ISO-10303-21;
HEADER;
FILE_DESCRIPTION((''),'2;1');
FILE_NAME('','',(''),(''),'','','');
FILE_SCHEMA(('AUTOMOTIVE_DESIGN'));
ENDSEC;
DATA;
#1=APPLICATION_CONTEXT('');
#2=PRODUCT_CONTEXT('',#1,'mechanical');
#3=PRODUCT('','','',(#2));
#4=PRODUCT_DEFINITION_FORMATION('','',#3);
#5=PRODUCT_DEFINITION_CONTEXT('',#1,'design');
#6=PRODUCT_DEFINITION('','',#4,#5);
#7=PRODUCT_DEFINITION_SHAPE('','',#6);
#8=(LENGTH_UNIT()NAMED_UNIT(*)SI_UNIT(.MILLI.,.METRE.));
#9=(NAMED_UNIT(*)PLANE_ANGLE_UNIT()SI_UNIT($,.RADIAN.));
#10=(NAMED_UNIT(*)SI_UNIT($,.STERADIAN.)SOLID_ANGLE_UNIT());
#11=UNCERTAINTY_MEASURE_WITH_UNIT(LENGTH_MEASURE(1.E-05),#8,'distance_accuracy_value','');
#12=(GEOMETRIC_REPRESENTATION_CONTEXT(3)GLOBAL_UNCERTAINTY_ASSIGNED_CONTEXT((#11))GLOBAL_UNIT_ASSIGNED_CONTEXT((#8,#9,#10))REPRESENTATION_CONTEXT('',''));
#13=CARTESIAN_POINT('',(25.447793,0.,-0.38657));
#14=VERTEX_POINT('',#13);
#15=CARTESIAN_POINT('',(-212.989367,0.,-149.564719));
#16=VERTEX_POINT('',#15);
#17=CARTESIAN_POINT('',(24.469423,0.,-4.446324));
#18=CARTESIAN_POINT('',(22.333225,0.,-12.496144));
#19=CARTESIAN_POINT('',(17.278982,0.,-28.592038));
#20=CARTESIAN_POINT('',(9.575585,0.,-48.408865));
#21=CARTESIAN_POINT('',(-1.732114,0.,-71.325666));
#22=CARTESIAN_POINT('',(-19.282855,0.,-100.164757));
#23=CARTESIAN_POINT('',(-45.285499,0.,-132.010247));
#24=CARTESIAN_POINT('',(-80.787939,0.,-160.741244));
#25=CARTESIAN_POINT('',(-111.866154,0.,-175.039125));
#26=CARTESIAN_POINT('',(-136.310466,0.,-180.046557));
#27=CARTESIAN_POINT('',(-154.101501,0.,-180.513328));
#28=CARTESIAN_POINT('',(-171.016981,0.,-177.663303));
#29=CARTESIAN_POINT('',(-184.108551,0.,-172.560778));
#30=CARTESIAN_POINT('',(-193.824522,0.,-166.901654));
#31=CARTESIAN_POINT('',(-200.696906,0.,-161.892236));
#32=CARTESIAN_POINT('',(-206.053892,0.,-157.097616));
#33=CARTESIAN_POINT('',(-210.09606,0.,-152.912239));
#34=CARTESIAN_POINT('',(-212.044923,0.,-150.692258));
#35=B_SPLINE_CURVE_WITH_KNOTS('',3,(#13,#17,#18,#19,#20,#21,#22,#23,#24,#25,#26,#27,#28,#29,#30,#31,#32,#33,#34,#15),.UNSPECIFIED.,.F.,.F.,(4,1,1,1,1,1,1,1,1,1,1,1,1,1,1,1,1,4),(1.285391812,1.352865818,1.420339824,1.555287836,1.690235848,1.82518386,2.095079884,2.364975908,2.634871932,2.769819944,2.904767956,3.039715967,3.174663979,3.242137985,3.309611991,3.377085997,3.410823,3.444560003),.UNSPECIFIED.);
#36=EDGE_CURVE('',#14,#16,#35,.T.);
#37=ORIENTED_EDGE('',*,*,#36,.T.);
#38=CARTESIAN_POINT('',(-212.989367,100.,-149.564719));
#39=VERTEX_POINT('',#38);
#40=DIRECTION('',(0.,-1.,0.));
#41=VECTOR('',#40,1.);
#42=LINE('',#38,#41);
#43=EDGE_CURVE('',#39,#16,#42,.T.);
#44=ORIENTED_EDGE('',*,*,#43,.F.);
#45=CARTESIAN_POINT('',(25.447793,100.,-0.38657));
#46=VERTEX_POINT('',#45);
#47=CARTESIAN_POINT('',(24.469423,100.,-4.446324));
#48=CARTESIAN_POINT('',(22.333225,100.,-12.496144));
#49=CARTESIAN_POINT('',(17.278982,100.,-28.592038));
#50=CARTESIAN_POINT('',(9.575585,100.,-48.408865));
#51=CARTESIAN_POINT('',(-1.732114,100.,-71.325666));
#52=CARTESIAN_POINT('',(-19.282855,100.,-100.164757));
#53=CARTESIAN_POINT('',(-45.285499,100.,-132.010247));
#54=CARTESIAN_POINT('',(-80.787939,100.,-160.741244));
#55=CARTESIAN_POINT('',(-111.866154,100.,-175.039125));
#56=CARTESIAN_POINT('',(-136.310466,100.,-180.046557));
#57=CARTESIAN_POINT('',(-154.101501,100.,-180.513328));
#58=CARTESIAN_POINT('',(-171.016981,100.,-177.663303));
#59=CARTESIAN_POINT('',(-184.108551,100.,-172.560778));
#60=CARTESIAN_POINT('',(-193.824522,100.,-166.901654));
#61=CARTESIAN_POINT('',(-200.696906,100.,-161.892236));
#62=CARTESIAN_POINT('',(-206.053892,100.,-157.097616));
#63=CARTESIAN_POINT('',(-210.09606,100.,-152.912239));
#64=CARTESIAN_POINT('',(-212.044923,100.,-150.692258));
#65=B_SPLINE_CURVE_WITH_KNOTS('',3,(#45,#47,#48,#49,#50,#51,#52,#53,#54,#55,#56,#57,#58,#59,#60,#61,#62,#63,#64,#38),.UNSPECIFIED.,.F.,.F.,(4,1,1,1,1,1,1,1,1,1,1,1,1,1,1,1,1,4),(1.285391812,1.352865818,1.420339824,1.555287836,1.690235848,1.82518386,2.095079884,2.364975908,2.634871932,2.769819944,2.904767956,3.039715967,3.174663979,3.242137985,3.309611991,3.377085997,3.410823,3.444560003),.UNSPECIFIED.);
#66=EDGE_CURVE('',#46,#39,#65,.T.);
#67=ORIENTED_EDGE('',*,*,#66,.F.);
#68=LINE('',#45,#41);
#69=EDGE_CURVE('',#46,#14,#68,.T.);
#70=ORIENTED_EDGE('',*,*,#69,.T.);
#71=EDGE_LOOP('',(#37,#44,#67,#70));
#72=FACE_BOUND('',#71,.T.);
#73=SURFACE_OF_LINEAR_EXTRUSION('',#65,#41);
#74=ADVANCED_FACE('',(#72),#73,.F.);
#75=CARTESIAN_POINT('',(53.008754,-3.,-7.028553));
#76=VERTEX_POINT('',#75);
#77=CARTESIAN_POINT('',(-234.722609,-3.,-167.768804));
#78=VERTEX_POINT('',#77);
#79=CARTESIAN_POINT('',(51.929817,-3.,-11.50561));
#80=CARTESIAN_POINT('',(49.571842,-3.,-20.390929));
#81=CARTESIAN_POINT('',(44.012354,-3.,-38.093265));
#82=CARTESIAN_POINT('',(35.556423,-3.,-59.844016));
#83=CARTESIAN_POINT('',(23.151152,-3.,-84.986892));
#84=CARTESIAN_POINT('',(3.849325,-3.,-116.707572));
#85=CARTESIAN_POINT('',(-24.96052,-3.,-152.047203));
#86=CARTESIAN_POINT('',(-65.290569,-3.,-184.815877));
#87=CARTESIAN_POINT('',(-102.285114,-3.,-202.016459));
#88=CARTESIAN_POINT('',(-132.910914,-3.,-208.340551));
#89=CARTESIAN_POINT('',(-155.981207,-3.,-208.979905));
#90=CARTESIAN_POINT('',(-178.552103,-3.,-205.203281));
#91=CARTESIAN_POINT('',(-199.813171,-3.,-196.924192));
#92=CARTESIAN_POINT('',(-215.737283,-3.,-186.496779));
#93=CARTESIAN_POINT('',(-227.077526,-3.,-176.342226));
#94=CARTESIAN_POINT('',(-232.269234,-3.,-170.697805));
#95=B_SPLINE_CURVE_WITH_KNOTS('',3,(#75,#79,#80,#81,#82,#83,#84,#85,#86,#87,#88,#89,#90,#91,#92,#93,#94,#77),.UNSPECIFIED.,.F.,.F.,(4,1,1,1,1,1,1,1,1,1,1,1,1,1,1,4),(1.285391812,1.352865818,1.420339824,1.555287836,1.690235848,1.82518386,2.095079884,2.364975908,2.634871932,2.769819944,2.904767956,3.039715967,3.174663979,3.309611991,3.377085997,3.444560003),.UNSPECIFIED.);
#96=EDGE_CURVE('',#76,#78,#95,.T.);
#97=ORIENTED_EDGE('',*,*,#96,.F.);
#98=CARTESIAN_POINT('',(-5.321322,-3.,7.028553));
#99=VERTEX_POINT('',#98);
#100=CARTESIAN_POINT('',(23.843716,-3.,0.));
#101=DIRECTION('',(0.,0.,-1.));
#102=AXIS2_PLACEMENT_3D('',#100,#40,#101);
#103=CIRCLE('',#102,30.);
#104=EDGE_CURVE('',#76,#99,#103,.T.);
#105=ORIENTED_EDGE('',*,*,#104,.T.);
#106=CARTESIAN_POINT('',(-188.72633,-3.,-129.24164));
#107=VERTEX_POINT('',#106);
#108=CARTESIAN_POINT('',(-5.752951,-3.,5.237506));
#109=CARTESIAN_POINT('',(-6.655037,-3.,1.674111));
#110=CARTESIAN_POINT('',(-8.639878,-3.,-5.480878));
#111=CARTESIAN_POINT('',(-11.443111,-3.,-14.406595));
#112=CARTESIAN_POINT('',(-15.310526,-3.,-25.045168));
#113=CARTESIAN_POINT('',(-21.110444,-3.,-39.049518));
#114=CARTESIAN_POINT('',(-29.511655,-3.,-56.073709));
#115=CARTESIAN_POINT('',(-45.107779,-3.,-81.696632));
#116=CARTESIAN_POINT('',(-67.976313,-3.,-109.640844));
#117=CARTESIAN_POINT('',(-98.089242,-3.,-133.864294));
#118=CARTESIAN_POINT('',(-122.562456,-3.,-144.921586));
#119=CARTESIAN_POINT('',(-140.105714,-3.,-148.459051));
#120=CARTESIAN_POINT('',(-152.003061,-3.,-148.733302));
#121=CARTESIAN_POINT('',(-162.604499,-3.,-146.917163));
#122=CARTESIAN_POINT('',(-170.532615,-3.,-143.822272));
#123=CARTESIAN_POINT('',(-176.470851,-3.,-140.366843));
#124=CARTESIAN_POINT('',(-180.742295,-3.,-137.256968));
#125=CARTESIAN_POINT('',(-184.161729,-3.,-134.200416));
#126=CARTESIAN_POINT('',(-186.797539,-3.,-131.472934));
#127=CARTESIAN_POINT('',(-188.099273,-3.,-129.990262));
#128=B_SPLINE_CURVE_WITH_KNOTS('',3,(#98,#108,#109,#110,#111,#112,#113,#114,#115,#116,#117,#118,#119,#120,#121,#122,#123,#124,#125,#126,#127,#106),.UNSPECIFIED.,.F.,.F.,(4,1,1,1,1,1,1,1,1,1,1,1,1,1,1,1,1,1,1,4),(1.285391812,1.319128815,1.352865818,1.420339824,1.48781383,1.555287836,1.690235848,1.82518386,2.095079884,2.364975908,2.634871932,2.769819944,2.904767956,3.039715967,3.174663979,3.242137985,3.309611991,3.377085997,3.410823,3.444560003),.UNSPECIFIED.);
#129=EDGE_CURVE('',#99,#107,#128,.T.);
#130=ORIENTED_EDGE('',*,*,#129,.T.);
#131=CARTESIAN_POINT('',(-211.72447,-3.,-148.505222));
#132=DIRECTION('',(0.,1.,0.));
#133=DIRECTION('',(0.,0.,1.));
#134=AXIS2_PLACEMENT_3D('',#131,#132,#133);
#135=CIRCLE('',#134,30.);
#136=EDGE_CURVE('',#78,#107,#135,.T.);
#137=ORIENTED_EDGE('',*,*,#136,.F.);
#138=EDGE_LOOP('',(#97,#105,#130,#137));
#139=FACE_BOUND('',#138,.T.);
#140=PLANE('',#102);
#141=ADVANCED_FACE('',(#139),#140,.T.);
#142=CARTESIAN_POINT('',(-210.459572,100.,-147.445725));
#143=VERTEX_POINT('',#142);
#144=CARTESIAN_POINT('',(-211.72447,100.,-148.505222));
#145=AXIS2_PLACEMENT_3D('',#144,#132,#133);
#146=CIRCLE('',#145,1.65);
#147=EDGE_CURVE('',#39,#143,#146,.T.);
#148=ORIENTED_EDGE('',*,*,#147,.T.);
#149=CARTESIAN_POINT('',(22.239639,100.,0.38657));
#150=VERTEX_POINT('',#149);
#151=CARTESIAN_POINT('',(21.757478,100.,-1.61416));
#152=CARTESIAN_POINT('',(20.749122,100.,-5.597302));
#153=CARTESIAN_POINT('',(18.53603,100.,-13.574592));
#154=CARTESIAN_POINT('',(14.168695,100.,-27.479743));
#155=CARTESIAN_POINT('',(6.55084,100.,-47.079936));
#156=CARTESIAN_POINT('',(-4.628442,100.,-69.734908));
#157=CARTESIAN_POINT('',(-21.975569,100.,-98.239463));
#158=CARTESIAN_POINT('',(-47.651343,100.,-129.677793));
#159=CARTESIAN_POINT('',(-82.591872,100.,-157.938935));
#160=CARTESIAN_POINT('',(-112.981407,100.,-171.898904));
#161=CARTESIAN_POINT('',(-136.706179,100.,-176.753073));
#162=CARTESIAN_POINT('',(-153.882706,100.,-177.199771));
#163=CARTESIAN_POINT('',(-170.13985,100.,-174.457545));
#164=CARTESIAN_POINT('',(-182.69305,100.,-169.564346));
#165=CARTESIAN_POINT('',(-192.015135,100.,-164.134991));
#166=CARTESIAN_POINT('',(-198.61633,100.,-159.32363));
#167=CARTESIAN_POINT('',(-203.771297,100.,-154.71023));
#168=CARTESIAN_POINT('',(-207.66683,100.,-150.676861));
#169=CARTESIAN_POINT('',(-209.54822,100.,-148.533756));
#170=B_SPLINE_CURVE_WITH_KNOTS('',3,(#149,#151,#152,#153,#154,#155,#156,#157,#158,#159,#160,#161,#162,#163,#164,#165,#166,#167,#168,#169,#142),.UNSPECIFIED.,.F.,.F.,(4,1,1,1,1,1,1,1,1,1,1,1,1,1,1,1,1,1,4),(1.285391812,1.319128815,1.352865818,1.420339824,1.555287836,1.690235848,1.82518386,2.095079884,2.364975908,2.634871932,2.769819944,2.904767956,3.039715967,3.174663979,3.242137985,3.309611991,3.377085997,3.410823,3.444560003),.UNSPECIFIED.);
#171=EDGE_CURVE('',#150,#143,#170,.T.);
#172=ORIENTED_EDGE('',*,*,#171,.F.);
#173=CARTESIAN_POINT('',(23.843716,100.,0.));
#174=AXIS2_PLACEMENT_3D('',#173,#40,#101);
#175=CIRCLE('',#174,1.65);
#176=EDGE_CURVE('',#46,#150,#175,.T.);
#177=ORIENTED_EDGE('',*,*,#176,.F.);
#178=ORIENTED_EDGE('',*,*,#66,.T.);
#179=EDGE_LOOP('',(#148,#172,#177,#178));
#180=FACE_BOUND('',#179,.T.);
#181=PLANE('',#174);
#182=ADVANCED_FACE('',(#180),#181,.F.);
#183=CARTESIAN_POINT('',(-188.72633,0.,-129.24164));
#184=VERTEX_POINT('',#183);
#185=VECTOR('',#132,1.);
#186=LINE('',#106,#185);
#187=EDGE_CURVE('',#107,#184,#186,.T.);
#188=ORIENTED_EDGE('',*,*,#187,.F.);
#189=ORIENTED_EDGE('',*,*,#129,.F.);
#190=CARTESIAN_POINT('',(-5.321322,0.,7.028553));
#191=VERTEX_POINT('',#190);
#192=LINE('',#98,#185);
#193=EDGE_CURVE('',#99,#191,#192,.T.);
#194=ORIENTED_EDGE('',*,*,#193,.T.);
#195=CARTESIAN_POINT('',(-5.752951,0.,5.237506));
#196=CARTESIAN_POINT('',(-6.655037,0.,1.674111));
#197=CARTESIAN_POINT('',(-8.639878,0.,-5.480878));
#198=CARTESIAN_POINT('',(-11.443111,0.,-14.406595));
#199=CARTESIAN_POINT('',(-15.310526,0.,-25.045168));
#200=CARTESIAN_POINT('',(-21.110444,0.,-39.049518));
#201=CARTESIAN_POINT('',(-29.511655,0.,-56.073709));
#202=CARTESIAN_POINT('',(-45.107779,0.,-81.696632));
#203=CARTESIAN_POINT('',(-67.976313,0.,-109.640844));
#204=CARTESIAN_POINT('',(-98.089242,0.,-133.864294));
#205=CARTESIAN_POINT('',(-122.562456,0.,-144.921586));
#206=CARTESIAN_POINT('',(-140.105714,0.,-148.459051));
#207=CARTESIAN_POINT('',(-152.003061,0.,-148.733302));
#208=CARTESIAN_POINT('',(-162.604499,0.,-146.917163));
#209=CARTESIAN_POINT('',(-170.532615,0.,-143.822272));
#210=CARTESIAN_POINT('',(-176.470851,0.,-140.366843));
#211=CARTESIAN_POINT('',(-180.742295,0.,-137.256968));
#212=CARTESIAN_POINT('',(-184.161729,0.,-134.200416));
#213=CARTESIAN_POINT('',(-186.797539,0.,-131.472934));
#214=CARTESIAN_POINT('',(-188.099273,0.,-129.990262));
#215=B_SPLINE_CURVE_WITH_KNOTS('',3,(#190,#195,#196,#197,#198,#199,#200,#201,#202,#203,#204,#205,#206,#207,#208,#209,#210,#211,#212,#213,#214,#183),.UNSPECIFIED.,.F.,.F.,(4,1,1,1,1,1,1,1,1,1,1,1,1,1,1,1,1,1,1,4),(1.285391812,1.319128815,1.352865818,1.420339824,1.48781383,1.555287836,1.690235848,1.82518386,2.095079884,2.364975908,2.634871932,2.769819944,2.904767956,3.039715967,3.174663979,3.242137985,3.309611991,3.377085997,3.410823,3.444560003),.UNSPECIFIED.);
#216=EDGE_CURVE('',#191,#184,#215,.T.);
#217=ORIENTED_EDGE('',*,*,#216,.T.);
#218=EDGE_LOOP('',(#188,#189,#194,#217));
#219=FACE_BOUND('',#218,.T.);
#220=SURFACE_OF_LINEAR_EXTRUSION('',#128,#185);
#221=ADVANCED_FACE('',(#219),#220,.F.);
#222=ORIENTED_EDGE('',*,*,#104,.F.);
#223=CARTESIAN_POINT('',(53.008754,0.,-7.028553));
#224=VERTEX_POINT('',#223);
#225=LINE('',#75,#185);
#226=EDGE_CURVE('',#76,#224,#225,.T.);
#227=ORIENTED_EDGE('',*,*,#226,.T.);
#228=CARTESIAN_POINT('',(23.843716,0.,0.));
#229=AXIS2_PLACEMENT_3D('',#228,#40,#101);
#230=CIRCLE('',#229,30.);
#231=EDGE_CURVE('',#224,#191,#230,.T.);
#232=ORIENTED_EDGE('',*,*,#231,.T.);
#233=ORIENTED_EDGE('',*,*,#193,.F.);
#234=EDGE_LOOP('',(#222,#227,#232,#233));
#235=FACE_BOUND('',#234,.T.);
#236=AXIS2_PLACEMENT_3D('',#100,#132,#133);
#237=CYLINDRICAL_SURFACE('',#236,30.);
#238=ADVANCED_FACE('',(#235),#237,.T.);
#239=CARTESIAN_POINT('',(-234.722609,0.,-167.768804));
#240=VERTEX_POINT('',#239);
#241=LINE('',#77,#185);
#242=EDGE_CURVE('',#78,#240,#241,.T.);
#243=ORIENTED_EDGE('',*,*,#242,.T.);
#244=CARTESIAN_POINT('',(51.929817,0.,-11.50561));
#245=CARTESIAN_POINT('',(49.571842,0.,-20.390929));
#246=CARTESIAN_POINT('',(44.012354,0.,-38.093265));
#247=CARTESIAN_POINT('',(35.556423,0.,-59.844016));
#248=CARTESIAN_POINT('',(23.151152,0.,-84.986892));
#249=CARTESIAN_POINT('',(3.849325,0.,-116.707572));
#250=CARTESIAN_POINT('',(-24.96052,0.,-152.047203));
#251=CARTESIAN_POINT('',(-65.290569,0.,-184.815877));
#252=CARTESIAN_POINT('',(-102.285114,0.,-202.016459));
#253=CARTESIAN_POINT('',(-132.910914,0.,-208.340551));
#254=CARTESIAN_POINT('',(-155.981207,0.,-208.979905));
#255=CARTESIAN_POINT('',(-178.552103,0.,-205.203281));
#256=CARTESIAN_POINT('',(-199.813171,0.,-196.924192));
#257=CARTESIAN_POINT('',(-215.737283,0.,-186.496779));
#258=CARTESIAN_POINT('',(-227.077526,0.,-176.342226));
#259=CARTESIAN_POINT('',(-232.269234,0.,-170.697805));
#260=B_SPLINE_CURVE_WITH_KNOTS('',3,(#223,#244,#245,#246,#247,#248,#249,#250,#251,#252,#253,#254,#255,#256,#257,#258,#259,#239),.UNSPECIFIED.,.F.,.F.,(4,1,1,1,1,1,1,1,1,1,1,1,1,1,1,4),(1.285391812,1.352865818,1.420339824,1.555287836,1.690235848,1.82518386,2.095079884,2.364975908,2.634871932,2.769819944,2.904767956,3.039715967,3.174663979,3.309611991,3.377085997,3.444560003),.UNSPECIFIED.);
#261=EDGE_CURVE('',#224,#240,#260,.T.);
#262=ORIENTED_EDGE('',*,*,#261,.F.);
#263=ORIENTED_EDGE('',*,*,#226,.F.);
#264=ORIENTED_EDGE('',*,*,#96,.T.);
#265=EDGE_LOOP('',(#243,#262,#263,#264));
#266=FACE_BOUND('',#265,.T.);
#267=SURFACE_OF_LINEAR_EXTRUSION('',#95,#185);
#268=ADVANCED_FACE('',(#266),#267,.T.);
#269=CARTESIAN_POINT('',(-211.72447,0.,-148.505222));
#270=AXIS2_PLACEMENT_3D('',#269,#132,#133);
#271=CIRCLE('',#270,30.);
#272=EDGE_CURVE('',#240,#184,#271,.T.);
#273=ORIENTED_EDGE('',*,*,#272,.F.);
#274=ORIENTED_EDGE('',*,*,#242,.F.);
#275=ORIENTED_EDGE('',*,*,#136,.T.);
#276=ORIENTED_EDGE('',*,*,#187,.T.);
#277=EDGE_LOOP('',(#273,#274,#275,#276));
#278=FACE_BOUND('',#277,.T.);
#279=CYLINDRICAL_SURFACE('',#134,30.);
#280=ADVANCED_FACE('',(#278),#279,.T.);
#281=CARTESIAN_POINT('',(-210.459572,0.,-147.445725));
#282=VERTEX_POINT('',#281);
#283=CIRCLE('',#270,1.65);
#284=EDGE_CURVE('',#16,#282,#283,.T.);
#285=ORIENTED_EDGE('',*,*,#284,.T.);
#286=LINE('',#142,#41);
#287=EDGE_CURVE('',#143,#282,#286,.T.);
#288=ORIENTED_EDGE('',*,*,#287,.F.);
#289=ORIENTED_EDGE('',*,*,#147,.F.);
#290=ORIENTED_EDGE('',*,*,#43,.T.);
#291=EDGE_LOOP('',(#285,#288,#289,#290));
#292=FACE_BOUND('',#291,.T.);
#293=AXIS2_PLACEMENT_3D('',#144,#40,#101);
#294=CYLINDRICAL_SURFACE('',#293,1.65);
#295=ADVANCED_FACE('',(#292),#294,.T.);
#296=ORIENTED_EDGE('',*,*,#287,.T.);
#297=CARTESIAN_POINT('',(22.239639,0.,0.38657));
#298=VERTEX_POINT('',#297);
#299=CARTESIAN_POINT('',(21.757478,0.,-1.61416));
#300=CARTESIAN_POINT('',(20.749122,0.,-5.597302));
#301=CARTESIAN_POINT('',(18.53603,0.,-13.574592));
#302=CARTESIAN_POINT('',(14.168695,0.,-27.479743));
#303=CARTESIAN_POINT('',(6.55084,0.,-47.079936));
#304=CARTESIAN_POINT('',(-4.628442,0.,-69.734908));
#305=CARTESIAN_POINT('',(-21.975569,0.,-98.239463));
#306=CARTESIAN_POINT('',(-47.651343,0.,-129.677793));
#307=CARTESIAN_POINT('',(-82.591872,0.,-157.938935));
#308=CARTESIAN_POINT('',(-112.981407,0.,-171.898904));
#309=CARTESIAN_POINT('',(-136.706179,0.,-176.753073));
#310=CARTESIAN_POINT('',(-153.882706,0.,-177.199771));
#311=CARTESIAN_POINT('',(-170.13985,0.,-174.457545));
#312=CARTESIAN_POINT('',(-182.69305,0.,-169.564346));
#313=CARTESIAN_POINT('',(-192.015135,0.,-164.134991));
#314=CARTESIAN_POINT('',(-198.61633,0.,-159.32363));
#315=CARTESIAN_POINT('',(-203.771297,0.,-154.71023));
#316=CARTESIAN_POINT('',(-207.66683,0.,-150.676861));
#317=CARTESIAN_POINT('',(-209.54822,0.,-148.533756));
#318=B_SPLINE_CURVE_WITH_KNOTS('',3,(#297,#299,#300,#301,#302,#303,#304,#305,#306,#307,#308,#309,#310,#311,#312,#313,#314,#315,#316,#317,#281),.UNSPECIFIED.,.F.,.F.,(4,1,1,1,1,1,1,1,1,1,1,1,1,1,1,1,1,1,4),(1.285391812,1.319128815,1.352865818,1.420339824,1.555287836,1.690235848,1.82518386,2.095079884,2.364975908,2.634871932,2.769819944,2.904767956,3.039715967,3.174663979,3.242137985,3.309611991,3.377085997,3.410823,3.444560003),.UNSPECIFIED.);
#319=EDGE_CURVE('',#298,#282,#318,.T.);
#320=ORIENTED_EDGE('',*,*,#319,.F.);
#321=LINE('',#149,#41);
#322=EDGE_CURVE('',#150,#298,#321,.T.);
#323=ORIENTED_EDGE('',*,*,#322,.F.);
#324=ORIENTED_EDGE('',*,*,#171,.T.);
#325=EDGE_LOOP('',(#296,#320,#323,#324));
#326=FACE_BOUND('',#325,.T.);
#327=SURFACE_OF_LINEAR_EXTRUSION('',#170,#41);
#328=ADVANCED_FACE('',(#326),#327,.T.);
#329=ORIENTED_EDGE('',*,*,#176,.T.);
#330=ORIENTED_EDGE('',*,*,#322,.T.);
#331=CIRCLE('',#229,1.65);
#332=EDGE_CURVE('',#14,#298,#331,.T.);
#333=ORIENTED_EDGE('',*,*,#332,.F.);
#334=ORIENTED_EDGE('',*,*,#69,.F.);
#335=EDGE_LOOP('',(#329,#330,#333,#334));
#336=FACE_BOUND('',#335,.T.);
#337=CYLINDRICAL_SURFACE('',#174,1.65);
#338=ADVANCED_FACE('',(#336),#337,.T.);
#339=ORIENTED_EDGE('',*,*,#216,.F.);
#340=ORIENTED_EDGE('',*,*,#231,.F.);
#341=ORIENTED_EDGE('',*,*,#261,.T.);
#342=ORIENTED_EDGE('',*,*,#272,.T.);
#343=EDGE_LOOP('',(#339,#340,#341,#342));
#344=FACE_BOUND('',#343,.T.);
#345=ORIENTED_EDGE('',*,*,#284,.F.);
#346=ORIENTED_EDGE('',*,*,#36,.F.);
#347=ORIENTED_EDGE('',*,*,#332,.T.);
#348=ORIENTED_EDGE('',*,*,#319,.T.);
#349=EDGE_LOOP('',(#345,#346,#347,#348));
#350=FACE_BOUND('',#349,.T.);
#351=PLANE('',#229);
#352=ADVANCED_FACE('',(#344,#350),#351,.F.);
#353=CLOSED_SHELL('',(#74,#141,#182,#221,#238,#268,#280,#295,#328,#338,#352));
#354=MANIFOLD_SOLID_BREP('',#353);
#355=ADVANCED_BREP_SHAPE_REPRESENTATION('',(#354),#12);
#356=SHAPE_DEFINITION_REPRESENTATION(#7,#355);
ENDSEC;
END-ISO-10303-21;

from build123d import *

# Parameters (mm, degrees)
ASPA_DEPTH          = 100
BOSS_EXTRUDE1_DEPTH = 3


with BuildPart() as part:
    # Sketch1 → Aspa (new body)
    with BuildSketch(Plane(origin=(0, 0, 0), x_dir=(1, 0, 0), z_dir=(0, 1, 0))):
        with BuildLine():
            ThreePointArc((25.447793126, 0.386570406), (24.230286438, -1.604077093), (22.239638939, -0.386570406))
            add(Edge.make_bspline(
                [(22.239638939, -0.386570406), (21.757478048, 1.614160196), (20.749121719, 5.597302334), (18.536030085, 13.574591529), (14.168694774, 27.479743189), (6.550840337, 47.079936231), (-4.628442304, 69.734907552), (-21.975568559, 98.239463115), (-47.651343304, 129.677792921), (-82.591872401, 157.938934972), (-112.981407164, 171.898903888), (-136.706178937, 176.753073489), (-153.882706061, 177.19977096), (-170.139849975, 174.457544689), (-182.693050278, 169.564346219), (-192.015134762, 164.134990799), (-198.616330487, 159.32363019), (-203.771296986, 154.710229964), (-207.666830265, 150.676861459), (-209.548220456, 148.533756447), (-210.459571896, 147.44572479)],
                knots=[1.285391812, 1.285391812, 1.285391812, 1.285391812, 1.319128815, 1.352865818, 1.420339824, 1.555287836, 1.690235848, 1.82518386, 2.095079884, 2.364975908, 2.634871932, 2.769819944, 2.904767956, 3.039715967, 3.174663979, 3.242137985, 3.309611991, 3.377085997, 3.410823, 3.444560003, 3.444560003, 3.444560003, 3.444560003], degree=3))
            ThreePointArc((-210.459571896, 147.44572479), (-212.783966565, 147.240324157), (-212.989367198, 149.564718827))
            add(Edge.make_bspline(
                [(25.447793126, 0.386570406), (24.469423216, 4.446324434), (22.333224695, 12.496143625), (17.278981997, 28.592037716), (9.575585068, 48.408864531), (-1.732113789, 71.325665764), (-19.282855172, 100.164756936), (-45.285499338, 132.010247367), (-80.787938764, 160.741243667), (-111.866153701, 175.039124584), (-136.310465657, 180.046556902), (-154.101500744, 180.513328396), (-171.016980761, 177.663303296), (-184.108550637, 172.560778181), (-193.824522276, 166.901653535), (-200.696906081, 161.892236402), (-206.053892172, 157.097615744), (-210.09605989, 152.912239242), (-212.044923282, 150.692258471), (-212.989367198, 149.564718827)],
                knots=[1.285391812, 1.285391812, 1.285391812, 1.285391812, 1.352865818, 1.420339824, 1.555287836, 1.690235848, 1.82518386, 2.095079884, 2.364975908, 2.634871932, 2.769819944, 2.904767956, 3.039715967, 3.174663979, 3.242137985, 3.309611991, 3.377085997, 3.410823, 3.444560003, 3.444560003, 3.444560003, 3.444560003], degree=3))
        make_face()
    extrude(amount=ASPA_DEPTH)

    # Sketch1<6> → Boss-Extrude1 (add)
    with BuildSketch(Plane(origin=(0, 0, 0), x_dir=(1, 0, 0), z_dir=(0, 1, 0))):
        with BuildLine():
            ThreePointArc((53.008754094, 7.028552828), (30.87226886, -29.165038062), (-5.321322029, -7.028552828))
            add(Edge.make_bspline(
                [(-5.321322029, -7.028552828), (-5.752950613, -5.237506451), (-6.655037469, -1.674110926), (-8.6398779, 5.480878278), (-11.443110905, 14.40659541), (-15.310525869, 25.045167991), (-21.110443607, 39.04951786), (-29.511654733, 56.07370943), (-45.107779267, 81.696632202), (-67.97631331, 109.640843996), (-98.089242139, 133.864294121), (-122.562455739, 144.921585832), (-140.105714345, 148.459050781), (-152.003061212, 148.733301905), (-162.60449903, 146.917163479), (-170.532615395, 143.822271696), (-176.470851118, 140.366842739), (-180.742294705, 137.256967741), (-184.161729253, 134.200415757), (-186.797539391, 131.472934141), (-188.099273447, 129.990261782), (-188.726330433, 129.241639658)],
                knots=[1.285391812, 1.285391812, 1.285391812, 1.285391812, 1.319128815, 1.352865818, 1.420339824, 1.48781383, 1.555287836, 1.690235848, 1.82518386, 2.095079884, 2.364975908, 2.634871932, 2.769819944, 2.904767956, 3.039715967, 3.174663979, 3.242137985, 3.309611991, 3.377085997, 3.410823, 3.444560003, 3.444560003, 3.444560003, 3.444560003], degree=3))
            ThreePointArc((-188.726330433, 129.241639658), (-230.988051698, 125.507082694), (-234.722608661, 167.768803959))
            add(Edge.make_bspline(
                [(53.008754094, 7.028552828), (51.929817399, 11.505609563), (49.571841508, 20.39092904), (44.012354136, 38.093264581), (35.556422664, 59.844015849), (23.1511521, 84.986891525), (3.849324765, 116.707571722), (-24.960519687, 152.047203238), (-65.290568749, 184.815877475), (-102.285114039, 202.016459154), (-132.910914262, 208.340551294), (-155.981206852, 208.979905408), (-178.552102656, 205.203280991), (-199.813171225, 196.924192445), (-215.737282567, 186.496778707), (-227.077525578, 176.342226424), (-232.269234058, 170.69780491), (-234.722608661, 167.768803959)],
                knots=[1.285391812, 1.285391812, 1.285391812, 1.285391812, 1.352865818, 1.420339824, 1.555287836, 1.690235848, 1.82518386, 2.095079884, 2.364975908, 2.634871932, 2.769819944, 2.904767956, 3.039715967, 3.174663979, 3.309611991, 3.377085997, 3.444560003, 3.444560003, 3.444560003, 3.444560003], degree=3))
        make_face()
    extrude(amount=-BOSS_EXTRUDE1_DEPTH)


solid = part.part
